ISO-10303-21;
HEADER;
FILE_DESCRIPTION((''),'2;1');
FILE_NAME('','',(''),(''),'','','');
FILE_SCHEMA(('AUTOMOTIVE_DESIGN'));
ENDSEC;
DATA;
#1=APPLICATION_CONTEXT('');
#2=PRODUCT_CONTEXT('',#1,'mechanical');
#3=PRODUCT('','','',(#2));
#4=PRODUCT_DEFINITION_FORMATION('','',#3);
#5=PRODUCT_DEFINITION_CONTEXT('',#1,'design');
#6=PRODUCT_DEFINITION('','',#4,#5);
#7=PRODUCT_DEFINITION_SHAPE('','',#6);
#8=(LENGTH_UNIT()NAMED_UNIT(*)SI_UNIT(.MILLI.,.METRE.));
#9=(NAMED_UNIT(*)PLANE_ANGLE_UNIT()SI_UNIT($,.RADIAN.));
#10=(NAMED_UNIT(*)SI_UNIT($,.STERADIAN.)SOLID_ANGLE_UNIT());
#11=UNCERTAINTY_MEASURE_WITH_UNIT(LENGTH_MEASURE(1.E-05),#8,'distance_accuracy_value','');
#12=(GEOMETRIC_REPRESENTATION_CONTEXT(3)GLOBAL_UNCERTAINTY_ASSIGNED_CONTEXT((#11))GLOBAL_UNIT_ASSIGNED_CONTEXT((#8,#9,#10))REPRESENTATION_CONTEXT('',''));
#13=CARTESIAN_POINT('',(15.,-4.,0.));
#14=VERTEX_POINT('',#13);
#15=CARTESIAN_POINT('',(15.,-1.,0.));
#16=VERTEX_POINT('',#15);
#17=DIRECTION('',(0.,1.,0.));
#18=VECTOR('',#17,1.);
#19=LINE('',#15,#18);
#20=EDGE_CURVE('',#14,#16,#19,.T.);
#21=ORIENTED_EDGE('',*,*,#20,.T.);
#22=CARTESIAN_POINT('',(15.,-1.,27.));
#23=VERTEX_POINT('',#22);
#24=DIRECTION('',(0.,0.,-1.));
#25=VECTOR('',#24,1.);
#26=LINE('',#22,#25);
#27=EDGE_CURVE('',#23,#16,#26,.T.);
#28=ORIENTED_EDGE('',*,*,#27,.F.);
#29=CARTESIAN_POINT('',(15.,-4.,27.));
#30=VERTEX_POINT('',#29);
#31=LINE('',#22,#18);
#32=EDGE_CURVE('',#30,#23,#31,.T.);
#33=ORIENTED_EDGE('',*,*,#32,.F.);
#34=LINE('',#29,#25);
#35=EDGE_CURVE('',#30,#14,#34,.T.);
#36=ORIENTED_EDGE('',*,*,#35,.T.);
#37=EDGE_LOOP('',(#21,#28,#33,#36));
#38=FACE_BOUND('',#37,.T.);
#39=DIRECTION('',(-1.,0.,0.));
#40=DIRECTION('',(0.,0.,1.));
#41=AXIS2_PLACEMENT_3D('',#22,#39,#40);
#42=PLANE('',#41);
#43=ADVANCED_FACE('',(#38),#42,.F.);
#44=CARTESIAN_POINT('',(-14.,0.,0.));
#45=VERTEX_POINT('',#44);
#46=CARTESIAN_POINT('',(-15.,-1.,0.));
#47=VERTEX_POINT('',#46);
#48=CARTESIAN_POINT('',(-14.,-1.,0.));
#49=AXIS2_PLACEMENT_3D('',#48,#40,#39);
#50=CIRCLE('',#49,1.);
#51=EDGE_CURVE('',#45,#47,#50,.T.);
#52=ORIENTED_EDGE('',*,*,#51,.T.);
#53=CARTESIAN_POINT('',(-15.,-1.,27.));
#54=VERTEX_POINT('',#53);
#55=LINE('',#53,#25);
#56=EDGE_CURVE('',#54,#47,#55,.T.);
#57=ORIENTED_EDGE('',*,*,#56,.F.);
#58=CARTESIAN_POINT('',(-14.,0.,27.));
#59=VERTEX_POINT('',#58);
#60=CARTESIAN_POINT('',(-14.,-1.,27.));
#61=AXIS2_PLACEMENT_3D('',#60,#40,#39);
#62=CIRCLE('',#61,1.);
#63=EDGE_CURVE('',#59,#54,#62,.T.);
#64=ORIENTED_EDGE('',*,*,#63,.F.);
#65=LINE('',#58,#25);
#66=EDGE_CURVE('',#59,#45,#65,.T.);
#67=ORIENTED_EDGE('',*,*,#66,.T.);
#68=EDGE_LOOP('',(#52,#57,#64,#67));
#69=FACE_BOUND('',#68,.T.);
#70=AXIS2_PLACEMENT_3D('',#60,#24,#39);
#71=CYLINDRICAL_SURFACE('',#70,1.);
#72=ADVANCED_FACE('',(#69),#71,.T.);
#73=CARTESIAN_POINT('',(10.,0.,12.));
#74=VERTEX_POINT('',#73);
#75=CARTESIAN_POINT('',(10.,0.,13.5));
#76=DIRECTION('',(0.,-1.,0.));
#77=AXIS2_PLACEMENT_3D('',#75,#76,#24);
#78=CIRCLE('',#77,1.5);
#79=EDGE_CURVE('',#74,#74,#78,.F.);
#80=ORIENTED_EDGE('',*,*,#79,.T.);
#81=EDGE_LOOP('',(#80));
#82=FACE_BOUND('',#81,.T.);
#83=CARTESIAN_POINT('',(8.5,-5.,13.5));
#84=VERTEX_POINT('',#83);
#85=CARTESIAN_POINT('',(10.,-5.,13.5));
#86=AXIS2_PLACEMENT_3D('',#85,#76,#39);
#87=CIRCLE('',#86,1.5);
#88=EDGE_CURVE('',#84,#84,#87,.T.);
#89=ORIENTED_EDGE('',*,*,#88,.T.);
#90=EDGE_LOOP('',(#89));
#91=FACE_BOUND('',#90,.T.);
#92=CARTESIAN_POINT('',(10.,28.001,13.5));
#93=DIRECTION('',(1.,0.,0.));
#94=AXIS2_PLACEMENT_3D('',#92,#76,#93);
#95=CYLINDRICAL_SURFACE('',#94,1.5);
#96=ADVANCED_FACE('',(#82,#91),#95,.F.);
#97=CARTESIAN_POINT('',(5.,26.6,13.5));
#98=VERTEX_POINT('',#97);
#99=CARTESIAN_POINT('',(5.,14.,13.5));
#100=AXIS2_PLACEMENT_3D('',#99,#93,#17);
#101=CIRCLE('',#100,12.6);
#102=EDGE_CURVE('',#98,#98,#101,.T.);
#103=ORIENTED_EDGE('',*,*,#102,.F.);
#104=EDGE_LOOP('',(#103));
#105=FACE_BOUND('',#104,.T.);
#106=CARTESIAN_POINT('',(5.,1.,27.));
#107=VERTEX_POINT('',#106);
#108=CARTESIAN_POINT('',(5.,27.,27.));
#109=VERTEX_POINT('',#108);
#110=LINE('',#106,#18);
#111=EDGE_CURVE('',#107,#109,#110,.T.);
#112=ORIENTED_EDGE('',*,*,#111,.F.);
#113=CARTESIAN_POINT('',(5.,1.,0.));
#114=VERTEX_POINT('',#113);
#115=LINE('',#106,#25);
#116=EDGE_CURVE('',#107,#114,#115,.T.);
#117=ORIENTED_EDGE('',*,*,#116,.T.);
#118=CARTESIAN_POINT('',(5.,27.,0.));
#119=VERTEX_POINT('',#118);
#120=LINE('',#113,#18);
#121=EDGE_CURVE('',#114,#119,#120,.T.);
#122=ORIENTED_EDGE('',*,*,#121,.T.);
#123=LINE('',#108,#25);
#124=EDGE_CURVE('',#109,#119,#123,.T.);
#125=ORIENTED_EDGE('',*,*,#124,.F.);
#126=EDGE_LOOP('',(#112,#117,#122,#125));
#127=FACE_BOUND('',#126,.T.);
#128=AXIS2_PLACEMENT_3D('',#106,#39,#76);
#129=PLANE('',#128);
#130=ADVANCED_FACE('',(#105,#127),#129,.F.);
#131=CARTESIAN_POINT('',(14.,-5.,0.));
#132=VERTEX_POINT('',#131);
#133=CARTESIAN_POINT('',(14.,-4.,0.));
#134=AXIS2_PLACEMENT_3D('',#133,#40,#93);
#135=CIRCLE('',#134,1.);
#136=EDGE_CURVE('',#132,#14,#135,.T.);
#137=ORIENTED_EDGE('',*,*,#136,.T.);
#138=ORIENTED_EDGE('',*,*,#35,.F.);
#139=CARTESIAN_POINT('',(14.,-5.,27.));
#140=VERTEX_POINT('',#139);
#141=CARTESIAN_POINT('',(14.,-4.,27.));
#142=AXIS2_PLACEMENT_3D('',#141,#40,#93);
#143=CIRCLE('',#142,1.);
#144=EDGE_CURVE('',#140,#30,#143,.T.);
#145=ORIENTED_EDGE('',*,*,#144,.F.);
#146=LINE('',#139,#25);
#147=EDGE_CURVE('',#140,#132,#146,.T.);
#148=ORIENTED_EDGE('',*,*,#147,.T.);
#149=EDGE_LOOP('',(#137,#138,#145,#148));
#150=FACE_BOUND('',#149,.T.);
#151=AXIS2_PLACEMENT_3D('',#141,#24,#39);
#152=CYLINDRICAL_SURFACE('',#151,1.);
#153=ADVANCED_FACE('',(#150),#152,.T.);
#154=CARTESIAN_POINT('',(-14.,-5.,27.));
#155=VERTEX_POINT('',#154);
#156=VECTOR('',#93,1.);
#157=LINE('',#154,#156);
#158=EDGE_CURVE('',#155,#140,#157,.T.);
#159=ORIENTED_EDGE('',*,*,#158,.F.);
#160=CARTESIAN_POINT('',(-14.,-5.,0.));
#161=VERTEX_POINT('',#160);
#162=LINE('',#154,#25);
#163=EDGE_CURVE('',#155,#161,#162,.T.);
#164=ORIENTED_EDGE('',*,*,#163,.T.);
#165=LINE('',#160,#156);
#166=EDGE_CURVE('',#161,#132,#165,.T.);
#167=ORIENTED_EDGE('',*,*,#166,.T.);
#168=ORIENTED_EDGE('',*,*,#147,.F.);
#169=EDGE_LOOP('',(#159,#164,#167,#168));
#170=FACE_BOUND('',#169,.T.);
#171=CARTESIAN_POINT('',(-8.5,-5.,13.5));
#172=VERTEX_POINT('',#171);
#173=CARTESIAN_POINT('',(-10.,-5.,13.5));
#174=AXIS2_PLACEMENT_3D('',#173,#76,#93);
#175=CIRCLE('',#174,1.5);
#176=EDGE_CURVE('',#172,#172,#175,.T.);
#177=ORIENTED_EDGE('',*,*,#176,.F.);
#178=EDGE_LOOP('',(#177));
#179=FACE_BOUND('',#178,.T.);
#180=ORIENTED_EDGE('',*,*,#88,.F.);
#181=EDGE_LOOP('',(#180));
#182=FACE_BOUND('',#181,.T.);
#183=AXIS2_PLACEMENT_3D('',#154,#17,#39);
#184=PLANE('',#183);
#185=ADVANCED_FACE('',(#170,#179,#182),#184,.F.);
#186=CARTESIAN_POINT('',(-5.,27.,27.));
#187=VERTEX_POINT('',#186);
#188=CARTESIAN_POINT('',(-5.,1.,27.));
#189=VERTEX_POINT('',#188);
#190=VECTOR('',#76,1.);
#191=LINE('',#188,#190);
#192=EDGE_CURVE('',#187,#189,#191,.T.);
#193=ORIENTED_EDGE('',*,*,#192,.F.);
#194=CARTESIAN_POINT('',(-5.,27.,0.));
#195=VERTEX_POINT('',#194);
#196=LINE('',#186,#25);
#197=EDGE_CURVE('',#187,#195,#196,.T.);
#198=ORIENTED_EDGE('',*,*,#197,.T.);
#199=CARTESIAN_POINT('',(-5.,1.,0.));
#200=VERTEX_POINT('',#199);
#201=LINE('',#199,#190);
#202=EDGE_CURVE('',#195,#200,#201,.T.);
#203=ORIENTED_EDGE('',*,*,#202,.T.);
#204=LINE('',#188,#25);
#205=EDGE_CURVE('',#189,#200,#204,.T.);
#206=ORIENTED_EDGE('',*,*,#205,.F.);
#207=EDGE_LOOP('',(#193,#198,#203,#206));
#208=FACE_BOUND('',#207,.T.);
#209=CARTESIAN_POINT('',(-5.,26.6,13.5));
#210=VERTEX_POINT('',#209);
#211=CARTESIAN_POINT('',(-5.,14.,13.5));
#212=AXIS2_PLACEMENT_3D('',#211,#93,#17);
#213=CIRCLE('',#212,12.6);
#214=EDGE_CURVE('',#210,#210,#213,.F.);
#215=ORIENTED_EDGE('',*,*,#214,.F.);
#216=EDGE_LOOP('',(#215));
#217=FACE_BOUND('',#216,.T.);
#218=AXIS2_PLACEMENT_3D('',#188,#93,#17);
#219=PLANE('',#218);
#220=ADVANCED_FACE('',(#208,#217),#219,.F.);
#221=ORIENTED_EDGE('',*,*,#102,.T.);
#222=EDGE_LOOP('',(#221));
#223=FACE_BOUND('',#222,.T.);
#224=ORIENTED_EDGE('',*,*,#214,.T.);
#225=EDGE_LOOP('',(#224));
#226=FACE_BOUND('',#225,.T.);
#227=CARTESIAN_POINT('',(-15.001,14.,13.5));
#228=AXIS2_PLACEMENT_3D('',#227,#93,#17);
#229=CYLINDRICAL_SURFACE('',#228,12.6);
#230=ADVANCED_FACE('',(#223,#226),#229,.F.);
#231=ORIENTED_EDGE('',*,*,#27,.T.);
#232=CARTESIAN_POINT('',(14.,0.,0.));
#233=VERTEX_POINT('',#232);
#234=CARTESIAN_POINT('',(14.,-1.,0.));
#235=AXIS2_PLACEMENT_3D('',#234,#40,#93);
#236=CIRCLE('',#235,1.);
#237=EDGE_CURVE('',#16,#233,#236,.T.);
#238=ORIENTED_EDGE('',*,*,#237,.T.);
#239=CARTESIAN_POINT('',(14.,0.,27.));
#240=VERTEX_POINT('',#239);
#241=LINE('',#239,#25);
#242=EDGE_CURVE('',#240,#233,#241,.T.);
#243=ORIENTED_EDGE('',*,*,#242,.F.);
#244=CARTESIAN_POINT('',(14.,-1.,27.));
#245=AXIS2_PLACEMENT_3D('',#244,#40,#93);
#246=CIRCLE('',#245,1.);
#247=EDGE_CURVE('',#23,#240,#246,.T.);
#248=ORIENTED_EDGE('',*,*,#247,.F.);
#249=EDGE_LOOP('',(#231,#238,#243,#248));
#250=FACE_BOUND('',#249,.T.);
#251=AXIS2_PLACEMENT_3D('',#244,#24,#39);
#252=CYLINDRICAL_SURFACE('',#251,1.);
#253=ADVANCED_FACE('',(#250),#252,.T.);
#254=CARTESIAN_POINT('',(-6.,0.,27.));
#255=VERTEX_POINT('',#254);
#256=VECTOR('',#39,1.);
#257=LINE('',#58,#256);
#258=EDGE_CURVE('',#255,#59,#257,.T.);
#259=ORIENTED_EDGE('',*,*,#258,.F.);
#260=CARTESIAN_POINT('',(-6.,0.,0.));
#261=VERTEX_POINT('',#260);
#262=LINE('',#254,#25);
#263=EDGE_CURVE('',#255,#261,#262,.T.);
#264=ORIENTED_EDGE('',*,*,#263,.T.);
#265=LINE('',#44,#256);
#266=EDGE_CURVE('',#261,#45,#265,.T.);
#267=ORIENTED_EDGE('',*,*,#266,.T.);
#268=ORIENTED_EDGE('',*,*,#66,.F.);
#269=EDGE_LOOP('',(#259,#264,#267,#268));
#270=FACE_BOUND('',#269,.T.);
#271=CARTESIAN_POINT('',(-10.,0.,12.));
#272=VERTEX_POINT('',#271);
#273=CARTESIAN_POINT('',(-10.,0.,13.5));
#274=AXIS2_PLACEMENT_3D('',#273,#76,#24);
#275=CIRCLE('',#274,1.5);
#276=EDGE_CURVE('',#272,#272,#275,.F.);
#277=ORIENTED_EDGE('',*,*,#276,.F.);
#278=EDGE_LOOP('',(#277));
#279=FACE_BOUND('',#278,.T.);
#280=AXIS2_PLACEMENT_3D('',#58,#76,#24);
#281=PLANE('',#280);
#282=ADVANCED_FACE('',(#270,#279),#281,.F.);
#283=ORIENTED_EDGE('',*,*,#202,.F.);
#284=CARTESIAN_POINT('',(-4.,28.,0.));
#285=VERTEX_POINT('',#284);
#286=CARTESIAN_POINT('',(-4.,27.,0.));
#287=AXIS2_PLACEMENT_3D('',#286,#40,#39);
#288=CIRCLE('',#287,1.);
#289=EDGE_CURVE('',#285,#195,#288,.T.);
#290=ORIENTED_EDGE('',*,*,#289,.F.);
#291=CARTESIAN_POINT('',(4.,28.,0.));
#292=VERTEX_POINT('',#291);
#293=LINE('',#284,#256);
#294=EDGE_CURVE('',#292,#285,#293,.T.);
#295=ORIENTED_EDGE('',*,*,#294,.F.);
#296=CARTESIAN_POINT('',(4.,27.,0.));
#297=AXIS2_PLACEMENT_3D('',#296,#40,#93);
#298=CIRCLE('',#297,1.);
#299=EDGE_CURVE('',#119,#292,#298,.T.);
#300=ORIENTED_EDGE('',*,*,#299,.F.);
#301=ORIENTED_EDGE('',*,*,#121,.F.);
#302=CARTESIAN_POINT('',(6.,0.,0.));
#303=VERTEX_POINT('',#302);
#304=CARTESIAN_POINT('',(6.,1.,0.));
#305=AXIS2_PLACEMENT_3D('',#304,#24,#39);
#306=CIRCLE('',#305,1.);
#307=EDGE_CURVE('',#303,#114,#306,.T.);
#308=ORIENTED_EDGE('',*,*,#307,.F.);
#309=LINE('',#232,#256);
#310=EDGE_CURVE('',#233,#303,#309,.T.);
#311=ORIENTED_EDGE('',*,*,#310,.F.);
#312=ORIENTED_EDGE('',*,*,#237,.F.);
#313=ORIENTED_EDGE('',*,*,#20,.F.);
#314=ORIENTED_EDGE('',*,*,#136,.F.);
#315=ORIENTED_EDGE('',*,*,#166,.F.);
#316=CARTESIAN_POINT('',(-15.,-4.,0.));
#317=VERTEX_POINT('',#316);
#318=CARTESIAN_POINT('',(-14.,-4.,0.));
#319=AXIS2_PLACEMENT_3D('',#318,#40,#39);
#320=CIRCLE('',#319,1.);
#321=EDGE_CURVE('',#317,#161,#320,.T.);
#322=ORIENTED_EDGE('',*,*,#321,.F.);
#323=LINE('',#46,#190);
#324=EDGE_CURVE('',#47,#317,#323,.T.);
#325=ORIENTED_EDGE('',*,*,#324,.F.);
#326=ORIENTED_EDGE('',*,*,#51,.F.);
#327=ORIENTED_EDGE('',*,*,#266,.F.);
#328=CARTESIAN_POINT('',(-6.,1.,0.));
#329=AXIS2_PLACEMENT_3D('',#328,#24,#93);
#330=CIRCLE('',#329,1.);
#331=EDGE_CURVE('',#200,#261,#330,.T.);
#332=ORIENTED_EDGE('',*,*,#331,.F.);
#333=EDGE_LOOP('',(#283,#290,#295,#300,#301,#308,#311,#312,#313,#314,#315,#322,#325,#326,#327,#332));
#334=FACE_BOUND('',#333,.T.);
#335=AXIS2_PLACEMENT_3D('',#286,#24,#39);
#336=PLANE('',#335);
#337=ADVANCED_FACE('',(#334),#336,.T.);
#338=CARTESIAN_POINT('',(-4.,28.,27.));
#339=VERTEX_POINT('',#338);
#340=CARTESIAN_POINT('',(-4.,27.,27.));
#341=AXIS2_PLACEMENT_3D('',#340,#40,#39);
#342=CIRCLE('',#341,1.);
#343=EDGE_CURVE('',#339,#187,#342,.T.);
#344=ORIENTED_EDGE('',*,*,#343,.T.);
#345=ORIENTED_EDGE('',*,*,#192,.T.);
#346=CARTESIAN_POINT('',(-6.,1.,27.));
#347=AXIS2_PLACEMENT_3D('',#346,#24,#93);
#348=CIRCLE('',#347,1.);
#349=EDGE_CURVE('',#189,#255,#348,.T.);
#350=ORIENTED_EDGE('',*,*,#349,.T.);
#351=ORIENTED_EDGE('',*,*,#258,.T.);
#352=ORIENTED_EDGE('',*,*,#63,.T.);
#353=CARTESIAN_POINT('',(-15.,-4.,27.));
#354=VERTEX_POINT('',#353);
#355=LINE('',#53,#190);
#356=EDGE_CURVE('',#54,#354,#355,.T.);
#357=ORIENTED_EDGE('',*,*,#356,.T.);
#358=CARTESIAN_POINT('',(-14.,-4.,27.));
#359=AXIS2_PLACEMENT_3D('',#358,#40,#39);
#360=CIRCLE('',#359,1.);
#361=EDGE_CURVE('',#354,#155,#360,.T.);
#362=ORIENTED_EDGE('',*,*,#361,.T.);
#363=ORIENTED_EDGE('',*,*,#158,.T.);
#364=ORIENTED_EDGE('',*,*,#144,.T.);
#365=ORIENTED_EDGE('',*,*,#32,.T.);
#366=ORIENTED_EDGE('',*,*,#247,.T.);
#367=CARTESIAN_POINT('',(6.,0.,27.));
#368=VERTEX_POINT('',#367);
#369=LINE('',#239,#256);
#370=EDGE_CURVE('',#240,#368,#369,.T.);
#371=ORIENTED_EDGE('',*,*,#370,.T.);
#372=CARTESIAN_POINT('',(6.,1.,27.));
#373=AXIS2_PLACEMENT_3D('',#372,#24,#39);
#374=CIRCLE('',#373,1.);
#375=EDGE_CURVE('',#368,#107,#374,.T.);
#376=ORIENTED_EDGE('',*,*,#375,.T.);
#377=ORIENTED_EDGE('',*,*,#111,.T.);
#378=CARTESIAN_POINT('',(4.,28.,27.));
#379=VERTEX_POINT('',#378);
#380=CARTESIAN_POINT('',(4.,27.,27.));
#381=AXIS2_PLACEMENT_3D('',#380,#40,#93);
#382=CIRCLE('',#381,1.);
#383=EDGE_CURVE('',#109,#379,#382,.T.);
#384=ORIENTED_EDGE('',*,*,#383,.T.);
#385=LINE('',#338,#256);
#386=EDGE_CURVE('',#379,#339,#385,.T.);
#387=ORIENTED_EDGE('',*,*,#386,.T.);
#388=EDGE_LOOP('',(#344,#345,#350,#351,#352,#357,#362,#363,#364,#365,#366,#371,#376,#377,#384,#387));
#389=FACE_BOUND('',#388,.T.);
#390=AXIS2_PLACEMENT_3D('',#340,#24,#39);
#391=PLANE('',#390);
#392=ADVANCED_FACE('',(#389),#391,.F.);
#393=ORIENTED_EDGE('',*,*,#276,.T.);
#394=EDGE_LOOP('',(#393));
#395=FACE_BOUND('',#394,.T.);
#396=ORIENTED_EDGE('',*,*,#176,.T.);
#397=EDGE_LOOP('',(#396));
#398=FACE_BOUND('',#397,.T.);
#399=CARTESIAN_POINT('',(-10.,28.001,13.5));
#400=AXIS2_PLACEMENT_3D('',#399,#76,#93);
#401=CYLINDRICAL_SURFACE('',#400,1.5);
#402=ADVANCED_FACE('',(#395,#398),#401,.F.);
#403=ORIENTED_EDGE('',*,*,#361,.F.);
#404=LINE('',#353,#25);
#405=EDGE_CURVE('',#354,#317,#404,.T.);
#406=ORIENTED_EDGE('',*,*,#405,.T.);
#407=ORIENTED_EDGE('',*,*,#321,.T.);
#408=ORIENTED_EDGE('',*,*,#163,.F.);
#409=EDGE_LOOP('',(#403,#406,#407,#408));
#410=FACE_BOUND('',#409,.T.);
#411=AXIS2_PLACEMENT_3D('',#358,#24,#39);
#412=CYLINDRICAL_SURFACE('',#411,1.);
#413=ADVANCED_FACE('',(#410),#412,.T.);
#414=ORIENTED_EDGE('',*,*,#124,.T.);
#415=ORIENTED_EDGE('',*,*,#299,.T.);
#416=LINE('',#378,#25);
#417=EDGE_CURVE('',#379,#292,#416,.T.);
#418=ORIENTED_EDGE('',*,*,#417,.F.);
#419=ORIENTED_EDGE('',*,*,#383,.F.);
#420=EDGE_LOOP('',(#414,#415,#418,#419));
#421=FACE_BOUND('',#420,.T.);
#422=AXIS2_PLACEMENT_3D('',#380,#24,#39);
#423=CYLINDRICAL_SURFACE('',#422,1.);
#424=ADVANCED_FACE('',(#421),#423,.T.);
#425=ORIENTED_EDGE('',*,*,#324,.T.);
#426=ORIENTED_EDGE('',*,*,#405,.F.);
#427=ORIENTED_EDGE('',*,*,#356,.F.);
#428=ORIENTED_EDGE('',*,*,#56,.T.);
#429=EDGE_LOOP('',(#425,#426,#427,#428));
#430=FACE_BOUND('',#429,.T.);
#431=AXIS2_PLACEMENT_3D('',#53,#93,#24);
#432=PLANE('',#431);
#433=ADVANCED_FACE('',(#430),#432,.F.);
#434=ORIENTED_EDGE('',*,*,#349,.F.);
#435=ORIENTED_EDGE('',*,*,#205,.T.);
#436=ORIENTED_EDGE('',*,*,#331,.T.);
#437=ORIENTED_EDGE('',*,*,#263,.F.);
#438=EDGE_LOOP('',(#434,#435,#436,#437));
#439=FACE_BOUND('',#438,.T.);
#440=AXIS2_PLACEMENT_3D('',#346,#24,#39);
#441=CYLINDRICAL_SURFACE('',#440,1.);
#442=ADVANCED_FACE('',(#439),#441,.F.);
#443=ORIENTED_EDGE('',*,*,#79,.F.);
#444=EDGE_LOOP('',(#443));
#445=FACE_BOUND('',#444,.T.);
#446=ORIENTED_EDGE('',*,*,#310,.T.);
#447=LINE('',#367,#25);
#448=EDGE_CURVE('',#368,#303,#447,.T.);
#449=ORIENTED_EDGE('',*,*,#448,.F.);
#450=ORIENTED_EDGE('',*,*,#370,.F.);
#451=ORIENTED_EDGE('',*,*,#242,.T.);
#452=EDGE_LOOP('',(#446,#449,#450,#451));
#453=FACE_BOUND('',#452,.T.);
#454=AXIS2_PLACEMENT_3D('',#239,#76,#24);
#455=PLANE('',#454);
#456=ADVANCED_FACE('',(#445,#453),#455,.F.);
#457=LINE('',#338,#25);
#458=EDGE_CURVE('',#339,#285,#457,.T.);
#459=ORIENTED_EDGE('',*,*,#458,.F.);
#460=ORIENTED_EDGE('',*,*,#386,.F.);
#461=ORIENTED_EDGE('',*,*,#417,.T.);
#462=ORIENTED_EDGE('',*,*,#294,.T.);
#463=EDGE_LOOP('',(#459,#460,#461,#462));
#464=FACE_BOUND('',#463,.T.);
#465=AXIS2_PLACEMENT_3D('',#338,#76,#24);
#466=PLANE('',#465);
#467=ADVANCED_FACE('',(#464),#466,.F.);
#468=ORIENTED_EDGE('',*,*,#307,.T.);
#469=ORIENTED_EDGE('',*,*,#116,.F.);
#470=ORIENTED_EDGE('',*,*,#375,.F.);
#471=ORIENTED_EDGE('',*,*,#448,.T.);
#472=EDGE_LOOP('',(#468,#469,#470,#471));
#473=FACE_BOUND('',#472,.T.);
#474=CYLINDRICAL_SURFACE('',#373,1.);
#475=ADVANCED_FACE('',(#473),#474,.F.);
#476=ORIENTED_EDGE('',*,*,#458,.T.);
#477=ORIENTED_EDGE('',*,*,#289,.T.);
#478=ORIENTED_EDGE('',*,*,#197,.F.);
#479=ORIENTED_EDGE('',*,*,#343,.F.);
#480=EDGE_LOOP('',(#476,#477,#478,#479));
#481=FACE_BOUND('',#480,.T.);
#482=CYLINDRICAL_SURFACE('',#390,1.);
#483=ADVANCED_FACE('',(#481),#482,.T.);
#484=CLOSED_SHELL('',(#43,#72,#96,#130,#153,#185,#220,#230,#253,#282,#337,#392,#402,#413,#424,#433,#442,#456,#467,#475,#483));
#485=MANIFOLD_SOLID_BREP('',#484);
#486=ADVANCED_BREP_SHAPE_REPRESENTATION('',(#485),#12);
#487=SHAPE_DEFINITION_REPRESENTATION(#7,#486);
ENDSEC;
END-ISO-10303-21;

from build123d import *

# Parameters (mm, degrees)
BOSS_EXTRUDE1_DEPTH = 27
CUT_EXTRUDE1_REACH  = 45.738
SKETCH2_R           = 12.6
CUT_EXTRUDE2_REACH  = 47.2
SKETCH3_R           = 1.5


with BuildPart() as part:
    # Sketch1 → Boss-Extrude1 (new body)
    with BuildSketch(Plane.XY):
        with BuildLine():
            Line((-14, 0), (-6, 0))
            ThreePointArc((-6, 0), (-5.292893219, 0.292893219), (-5, 1))
            Line((-5, 1), (-5, 27))
            ThreePointArc((-5, 27), (-4.707106781, 27.707106781), (-4, 28))
            Line((-4, 28), (4, 28))
            ThreePointArc((4, 28), (4.707106781, 27.707106781), (5, 27))
            Line((5, 27), (5, 1))
            ThreePointArc((5, 1), (5.292893219, 0.292893219), (6, 0))
            Line((6, 0), (14, 0))
            ThreePointArc((14, 0), (14.707106781, -0.292893219), (15, -1))
            Line((15, -1), (15, -4))
            ThreePointArc((15, -4), (14.707106781, -4.707106781), (14, -5))
            Line((14, -5), (-14, -5))
            ThreePointArc((-14, -5), (-14.707106781, -4.707106781), (-15, -4))
            Line((-15, -4), (-15, -1))
            ThreePointArc((-15, -1), (-14.707106781, -0.292893219), (-14, 0))
        make_face()
    extrude(amount=BOSS_EXTRUDE1_DEPTH)

    # Sketch2 → Cut-Extrude1 (cut, up to next)
    with BuildSketch(Plane(origin=(5, 0, 0), x_dir=(0, 0, -1), z_dir=(1, 0, 0)), mode=Mode.PRIVATE) as cut_extrude1_sk1:
        with Locations(Location((-13.5, 14, 0), (0, 0, 90))):
            Circle(SKETCH2_R)
    cut_extrude1_tool1 = extrude(cut_extrude1_sk1.sketch, amount=-CUT_EXTRUDE1_REACH, mode=Mode.PRIVATE) & part.part
    add(cut_extrude1_tool1.solids().sort_by_distance((5, 14, 13.5))[0], mode=Mode.SUBTRACT)

    # Sketch3 → Cut-Extrude2 (cut, up to next)
    with BuildSketch(Plane.XZ.offset(5), mode=Mode.PRIVATE) as cut_extrude2_sk1:
        with Locations((-10, 13.5)):
            Circle(SKETCH3_R)
    cut_extrude2_tool1 = extrude(cut_extrude2_sk1.sketch, amount=-CUT_EXTRUDE2_REACH, mode=Mode.PRIVATE) & part.part
    # Sketch3 → Cut-Extrude2 (cut, up to next)
    with BuildSketch(Plane.XZ.offset(5), mode=Mode.PRIVATE) as cut_extrude2_sk2:
        with Locations(Location((10, 13.5, 0), (0, 0, 270))):
            Circle(SKETCH3_R)
    cut_extrude2_tool2 = extrude(cut_extrude2_sk2.sketch, amount=-CUT_EXTRUDE2_REACH, mode=Mode.PRIVATE) & part.part
    add(cut_extrude2_tool1.solids().sort_by_distance((-10, -5, 13.5))[0], mode=Mode.SUBTRACT)
    add(cut_extrude2_tool2.solids().sort_by_distance((10, -5, 13.5))[0], mode=Mode.SUBTRACT)


solid = part.part
